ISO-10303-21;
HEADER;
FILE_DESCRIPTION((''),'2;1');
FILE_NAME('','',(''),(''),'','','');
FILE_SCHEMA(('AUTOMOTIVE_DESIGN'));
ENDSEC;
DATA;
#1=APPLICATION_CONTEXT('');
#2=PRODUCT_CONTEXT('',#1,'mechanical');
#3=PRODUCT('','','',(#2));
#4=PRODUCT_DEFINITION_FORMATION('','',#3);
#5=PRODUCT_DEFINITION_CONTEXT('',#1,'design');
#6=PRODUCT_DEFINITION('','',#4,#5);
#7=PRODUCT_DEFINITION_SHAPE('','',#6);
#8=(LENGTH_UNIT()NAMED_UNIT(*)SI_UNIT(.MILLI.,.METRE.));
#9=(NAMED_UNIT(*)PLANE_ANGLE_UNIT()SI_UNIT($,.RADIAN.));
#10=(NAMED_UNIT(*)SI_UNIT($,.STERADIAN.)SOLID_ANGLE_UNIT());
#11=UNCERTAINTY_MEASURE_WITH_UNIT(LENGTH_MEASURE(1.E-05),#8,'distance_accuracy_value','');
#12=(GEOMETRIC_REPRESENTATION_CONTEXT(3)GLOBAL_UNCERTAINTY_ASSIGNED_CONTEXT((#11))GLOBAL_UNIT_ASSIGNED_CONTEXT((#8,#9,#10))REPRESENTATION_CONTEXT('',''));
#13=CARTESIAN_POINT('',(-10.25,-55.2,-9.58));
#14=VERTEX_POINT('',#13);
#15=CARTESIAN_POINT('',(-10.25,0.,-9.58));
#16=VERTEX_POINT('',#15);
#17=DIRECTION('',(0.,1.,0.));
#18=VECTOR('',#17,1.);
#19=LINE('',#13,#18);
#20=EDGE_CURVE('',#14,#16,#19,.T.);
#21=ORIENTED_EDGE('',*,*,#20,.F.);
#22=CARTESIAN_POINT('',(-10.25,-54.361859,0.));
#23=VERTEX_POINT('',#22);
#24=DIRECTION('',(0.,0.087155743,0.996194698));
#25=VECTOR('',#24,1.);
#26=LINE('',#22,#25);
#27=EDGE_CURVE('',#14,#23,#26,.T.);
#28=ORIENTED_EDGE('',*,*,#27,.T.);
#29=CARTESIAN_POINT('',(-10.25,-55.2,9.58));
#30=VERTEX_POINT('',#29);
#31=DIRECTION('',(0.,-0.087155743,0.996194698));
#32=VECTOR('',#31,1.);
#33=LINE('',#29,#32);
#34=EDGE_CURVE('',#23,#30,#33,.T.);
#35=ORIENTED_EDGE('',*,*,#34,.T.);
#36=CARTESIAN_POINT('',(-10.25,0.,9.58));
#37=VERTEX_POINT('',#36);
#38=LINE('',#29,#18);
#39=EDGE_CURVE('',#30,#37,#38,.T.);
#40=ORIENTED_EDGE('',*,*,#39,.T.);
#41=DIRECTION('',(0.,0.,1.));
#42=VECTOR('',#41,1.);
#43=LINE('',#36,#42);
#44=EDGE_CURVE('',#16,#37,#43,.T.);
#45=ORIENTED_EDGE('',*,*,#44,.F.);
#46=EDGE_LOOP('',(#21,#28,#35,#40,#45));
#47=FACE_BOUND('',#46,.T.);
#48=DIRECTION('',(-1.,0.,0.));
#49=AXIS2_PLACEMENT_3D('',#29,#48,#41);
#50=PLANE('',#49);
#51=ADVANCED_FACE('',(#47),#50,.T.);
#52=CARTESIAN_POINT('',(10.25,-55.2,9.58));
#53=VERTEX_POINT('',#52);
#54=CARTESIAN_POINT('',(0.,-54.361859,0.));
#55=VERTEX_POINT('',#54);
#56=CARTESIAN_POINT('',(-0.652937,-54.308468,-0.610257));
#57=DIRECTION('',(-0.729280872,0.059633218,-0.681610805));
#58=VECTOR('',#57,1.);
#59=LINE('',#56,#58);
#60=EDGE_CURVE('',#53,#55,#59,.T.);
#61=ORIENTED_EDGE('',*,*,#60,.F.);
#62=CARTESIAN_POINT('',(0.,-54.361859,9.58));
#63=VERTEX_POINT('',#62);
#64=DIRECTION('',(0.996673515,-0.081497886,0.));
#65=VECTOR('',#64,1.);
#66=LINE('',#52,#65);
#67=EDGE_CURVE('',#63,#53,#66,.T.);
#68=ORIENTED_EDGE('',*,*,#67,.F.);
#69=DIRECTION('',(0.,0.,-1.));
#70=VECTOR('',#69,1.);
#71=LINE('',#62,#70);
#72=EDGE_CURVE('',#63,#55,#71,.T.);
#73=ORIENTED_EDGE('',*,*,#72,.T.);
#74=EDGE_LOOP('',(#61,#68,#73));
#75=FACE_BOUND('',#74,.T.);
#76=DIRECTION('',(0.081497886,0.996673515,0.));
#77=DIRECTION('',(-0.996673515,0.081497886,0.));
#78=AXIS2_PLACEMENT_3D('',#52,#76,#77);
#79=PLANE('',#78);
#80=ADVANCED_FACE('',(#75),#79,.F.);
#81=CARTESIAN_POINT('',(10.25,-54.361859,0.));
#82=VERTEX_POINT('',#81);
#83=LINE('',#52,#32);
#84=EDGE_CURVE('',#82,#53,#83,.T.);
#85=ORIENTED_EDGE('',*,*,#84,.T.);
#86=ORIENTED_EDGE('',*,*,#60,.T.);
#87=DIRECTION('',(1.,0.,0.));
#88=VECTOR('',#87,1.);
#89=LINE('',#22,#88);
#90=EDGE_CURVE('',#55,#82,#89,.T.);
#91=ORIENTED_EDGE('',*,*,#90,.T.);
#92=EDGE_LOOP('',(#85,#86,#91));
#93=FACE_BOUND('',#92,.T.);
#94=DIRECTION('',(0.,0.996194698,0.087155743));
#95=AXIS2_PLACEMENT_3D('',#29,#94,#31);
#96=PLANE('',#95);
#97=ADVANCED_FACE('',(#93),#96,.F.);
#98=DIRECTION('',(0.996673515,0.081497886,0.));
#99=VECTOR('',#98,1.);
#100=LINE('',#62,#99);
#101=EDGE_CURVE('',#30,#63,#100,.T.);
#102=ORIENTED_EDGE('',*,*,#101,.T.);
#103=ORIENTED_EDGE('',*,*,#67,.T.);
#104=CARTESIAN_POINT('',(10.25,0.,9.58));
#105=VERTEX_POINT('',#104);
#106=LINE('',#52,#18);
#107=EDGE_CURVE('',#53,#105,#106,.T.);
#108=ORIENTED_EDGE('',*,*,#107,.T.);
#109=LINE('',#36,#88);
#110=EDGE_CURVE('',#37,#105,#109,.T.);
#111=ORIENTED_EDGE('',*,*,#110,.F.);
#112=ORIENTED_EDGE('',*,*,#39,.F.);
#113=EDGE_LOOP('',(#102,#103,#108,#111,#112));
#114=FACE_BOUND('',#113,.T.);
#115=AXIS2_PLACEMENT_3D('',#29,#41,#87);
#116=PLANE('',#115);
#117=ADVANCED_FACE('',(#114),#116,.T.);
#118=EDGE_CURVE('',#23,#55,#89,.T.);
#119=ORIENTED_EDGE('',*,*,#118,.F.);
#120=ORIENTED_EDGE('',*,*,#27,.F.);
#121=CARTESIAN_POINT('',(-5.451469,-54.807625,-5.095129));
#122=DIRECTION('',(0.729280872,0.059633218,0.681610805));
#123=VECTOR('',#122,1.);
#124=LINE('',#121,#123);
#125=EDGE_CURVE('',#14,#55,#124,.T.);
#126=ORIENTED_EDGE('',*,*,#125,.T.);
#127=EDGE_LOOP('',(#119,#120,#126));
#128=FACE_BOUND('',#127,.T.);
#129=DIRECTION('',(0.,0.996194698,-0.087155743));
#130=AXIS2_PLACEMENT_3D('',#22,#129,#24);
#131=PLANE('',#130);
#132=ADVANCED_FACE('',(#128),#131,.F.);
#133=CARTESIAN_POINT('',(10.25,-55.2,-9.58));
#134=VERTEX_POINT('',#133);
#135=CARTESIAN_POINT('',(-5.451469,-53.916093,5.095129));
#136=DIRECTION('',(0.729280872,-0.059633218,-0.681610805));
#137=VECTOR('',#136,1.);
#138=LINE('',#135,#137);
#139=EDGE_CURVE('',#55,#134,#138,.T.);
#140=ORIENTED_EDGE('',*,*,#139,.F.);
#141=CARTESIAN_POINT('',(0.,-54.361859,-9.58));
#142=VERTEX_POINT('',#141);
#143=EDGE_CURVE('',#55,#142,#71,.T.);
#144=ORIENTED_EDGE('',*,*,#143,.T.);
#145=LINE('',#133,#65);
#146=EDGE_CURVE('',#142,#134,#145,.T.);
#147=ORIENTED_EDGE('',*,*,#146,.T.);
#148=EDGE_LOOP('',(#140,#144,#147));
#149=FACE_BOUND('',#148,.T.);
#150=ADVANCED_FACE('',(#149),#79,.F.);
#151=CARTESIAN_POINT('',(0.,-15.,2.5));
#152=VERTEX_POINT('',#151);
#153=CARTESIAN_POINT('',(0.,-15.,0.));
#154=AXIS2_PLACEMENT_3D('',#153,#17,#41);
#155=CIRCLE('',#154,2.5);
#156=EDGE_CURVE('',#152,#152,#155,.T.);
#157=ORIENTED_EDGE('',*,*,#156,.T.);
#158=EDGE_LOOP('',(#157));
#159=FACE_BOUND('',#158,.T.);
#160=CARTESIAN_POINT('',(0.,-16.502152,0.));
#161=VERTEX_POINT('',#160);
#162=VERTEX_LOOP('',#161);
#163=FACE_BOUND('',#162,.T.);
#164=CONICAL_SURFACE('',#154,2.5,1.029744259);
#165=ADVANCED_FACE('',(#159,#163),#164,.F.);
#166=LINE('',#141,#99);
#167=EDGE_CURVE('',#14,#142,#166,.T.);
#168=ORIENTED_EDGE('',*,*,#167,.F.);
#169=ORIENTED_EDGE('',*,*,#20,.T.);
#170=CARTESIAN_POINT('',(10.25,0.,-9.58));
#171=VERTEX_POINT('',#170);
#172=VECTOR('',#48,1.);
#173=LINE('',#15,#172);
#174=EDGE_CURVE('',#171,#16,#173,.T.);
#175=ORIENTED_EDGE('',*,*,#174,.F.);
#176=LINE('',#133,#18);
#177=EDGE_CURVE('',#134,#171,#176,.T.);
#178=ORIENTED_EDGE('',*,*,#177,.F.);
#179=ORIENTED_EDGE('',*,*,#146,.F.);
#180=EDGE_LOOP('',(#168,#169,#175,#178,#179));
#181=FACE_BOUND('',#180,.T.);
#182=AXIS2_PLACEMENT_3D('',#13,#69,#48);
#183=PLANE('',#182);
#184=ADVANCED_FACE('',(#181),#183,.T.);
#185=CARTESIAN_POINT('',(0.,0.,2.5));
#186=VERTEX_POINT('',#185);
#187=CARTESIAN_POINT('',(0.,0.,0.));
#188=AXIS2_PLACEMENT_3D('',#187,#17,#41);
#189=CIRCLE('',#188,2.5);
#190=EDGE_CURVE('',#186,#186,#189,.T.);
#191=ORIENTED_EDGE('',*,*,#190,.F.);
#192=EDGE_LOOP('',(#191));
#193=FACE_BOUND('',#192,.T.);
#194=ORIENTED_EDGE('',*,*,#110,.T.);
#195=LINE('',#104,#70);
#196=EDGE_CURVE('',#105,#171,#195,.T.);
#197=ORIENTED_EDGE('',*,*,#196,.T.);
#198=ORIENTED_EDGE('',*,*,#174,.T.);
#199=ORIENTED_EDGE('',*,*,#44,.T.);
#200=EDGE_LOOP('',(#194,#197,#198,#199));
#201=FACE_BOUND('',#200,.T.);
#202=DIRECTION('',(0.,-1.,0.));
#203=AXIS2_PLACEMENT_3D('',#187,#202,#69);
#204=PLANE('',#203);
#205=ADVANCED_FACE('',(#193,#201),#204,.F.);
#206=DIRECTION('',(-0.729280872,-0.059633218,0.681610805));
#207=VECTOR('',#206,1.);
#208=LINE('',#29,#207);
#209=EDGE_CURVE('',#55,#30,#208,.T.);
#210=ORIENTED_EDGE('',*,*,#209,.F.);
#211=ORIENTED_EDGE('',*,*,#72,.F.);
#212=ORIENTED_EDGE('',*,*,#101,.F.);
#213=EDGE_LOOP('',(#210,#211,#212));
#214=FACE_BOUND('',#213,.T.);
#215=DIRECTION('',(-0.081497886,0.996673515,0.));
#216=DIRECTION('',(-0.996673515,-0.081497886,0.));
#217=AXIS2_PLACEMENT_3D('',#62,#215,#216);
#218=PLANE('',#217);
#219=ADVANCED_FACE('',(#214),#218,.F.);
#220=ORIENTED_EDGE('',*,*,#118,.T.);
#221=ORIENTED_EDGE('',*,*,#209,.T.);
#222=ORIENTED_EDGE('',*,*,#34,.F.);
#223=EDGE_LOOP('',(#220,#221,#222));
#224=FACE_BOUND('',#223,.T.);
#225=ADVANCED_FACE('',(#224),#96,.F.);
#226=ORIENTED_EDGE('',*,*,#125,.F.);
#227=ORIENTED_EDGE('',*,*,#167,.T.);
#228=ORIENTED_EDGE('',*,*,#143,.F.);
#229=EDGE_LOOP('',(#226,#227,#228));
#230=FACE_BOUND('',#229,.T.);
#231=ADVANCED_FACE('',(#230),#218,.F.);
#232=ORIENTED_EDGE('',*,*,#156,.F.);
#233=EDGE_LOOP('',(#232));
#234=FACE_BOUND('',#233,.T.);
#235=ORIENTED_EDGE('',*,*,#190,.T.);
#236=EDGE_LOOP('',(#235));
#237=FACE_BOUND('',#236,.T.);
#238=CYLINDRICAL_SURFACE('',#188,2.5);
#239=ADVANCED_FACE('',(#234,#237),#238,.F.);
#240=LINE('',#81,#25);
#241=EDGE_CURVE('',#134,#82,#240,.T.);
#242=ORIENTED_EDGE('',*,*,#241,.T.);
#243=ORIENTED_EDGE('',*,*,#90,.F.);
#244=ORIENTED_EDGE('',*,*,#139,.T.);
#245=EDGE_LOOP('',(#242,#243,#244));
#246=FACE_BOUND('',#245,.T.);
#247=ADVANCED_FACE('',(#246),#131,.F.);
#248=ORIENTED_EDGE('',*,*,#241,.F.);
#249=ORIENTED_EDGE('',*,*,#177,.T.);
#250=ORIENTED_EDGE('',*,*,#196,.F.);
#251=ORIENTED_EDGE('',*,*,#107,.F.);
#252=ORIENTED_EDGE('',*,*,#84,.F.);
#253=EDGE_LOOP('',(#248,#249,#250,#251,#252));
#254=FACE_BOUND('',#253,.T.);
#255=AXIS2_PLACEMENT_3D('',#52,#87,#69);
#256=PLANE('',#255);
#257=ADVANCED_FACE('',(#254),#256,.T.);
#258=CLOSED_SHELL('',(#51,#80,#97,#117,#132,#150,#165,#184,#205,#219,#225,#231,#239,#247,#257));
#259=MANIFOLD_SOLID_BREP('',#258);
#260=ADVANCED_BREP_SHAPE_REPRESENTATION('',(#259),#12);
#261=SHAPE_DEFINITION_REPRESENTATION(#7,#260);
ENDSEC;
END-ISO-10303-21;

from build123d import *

# Parameters (mm, degrees)
SKETCH1_W             = 20.5
SKETCH1_H             = 19.16
BOSS_EXTRUDE1_DEPTH   = 55.2
CUT_EXTRUDE3_DEPTH    = 60.657911462
CUT_EXTRUDE4_DEPTH    = 60.322913785
M6_TAPPED_HOLE1_D     = 5
M6_TAPPED_HOLE1_DEPTH = 15
M6_TAPPED_HOLE1_TIP   = 1.502151548


with BuildPart() as part:
    # Sketch1 → Boss-Extrude1 (new body)
    with BuildSketch(Plane(origin=(0, 0, 0), x_dir=(1, 0, 0), z_dir=(0, 1, 0))):
        Rectangle(SKETCH1_W, SKETCH1_H)
    extrude(amount=-BOSS_EXTRUDE1_DEPTH)

    # Sketch5 → Cut-Extrude3 (cut, through all)
    with BuildSketch(Plane(origin=(10.25, 0, 0), x_dir=(0, 0, -1), z_dir=(1, 0, 0))):
        Polygon((-9.58, -55.2), (0, -54.361858603), (9.58, -55.2), align=None)
    extrude(amount=-CUT_EXTRUDE3_DEPTH, mode=Mode.SUBTRACT)

    # Sketch6 → Cut-Extrude4 (cut, through all)
    with BuildSketch(Plane(origin=(0, 0, -9.58), x_dir=(-1, 0, 0), z_dir=(0, 0, -1))):
        Polygon((-10.25, -55.2), (0, -54.361858603), (10.25, -55.2), align=None)
    extrude(amount=-CUT_EXTRUDE4_DEPTH, mode=Mode.SUBTRACT)

    # M6 Tapped Hole1
    with Locations(Plane(origin=(0, 0, 0), x_dir=(1, 0, 0), z_dir=(0, 1, 0))):
        with Locations((0, 0)):
            Hole(M6_TAPPED_HOLE1_D / 2, depth=M6_TAPPED_HOLE1_DEPTH)
            with Locations((0, 0, -(M6_TAPPED_HOLE1_DEPTH + M6_TAPPED_HOLE1_TIP / 2))):  # 118° drill point
                Cone(0, M6_TAPPED_HOLE1_D / 2, M6_TAPPED_HOLE1_TIP, mode=Mode.SUBTRACT)


solid = part.part
